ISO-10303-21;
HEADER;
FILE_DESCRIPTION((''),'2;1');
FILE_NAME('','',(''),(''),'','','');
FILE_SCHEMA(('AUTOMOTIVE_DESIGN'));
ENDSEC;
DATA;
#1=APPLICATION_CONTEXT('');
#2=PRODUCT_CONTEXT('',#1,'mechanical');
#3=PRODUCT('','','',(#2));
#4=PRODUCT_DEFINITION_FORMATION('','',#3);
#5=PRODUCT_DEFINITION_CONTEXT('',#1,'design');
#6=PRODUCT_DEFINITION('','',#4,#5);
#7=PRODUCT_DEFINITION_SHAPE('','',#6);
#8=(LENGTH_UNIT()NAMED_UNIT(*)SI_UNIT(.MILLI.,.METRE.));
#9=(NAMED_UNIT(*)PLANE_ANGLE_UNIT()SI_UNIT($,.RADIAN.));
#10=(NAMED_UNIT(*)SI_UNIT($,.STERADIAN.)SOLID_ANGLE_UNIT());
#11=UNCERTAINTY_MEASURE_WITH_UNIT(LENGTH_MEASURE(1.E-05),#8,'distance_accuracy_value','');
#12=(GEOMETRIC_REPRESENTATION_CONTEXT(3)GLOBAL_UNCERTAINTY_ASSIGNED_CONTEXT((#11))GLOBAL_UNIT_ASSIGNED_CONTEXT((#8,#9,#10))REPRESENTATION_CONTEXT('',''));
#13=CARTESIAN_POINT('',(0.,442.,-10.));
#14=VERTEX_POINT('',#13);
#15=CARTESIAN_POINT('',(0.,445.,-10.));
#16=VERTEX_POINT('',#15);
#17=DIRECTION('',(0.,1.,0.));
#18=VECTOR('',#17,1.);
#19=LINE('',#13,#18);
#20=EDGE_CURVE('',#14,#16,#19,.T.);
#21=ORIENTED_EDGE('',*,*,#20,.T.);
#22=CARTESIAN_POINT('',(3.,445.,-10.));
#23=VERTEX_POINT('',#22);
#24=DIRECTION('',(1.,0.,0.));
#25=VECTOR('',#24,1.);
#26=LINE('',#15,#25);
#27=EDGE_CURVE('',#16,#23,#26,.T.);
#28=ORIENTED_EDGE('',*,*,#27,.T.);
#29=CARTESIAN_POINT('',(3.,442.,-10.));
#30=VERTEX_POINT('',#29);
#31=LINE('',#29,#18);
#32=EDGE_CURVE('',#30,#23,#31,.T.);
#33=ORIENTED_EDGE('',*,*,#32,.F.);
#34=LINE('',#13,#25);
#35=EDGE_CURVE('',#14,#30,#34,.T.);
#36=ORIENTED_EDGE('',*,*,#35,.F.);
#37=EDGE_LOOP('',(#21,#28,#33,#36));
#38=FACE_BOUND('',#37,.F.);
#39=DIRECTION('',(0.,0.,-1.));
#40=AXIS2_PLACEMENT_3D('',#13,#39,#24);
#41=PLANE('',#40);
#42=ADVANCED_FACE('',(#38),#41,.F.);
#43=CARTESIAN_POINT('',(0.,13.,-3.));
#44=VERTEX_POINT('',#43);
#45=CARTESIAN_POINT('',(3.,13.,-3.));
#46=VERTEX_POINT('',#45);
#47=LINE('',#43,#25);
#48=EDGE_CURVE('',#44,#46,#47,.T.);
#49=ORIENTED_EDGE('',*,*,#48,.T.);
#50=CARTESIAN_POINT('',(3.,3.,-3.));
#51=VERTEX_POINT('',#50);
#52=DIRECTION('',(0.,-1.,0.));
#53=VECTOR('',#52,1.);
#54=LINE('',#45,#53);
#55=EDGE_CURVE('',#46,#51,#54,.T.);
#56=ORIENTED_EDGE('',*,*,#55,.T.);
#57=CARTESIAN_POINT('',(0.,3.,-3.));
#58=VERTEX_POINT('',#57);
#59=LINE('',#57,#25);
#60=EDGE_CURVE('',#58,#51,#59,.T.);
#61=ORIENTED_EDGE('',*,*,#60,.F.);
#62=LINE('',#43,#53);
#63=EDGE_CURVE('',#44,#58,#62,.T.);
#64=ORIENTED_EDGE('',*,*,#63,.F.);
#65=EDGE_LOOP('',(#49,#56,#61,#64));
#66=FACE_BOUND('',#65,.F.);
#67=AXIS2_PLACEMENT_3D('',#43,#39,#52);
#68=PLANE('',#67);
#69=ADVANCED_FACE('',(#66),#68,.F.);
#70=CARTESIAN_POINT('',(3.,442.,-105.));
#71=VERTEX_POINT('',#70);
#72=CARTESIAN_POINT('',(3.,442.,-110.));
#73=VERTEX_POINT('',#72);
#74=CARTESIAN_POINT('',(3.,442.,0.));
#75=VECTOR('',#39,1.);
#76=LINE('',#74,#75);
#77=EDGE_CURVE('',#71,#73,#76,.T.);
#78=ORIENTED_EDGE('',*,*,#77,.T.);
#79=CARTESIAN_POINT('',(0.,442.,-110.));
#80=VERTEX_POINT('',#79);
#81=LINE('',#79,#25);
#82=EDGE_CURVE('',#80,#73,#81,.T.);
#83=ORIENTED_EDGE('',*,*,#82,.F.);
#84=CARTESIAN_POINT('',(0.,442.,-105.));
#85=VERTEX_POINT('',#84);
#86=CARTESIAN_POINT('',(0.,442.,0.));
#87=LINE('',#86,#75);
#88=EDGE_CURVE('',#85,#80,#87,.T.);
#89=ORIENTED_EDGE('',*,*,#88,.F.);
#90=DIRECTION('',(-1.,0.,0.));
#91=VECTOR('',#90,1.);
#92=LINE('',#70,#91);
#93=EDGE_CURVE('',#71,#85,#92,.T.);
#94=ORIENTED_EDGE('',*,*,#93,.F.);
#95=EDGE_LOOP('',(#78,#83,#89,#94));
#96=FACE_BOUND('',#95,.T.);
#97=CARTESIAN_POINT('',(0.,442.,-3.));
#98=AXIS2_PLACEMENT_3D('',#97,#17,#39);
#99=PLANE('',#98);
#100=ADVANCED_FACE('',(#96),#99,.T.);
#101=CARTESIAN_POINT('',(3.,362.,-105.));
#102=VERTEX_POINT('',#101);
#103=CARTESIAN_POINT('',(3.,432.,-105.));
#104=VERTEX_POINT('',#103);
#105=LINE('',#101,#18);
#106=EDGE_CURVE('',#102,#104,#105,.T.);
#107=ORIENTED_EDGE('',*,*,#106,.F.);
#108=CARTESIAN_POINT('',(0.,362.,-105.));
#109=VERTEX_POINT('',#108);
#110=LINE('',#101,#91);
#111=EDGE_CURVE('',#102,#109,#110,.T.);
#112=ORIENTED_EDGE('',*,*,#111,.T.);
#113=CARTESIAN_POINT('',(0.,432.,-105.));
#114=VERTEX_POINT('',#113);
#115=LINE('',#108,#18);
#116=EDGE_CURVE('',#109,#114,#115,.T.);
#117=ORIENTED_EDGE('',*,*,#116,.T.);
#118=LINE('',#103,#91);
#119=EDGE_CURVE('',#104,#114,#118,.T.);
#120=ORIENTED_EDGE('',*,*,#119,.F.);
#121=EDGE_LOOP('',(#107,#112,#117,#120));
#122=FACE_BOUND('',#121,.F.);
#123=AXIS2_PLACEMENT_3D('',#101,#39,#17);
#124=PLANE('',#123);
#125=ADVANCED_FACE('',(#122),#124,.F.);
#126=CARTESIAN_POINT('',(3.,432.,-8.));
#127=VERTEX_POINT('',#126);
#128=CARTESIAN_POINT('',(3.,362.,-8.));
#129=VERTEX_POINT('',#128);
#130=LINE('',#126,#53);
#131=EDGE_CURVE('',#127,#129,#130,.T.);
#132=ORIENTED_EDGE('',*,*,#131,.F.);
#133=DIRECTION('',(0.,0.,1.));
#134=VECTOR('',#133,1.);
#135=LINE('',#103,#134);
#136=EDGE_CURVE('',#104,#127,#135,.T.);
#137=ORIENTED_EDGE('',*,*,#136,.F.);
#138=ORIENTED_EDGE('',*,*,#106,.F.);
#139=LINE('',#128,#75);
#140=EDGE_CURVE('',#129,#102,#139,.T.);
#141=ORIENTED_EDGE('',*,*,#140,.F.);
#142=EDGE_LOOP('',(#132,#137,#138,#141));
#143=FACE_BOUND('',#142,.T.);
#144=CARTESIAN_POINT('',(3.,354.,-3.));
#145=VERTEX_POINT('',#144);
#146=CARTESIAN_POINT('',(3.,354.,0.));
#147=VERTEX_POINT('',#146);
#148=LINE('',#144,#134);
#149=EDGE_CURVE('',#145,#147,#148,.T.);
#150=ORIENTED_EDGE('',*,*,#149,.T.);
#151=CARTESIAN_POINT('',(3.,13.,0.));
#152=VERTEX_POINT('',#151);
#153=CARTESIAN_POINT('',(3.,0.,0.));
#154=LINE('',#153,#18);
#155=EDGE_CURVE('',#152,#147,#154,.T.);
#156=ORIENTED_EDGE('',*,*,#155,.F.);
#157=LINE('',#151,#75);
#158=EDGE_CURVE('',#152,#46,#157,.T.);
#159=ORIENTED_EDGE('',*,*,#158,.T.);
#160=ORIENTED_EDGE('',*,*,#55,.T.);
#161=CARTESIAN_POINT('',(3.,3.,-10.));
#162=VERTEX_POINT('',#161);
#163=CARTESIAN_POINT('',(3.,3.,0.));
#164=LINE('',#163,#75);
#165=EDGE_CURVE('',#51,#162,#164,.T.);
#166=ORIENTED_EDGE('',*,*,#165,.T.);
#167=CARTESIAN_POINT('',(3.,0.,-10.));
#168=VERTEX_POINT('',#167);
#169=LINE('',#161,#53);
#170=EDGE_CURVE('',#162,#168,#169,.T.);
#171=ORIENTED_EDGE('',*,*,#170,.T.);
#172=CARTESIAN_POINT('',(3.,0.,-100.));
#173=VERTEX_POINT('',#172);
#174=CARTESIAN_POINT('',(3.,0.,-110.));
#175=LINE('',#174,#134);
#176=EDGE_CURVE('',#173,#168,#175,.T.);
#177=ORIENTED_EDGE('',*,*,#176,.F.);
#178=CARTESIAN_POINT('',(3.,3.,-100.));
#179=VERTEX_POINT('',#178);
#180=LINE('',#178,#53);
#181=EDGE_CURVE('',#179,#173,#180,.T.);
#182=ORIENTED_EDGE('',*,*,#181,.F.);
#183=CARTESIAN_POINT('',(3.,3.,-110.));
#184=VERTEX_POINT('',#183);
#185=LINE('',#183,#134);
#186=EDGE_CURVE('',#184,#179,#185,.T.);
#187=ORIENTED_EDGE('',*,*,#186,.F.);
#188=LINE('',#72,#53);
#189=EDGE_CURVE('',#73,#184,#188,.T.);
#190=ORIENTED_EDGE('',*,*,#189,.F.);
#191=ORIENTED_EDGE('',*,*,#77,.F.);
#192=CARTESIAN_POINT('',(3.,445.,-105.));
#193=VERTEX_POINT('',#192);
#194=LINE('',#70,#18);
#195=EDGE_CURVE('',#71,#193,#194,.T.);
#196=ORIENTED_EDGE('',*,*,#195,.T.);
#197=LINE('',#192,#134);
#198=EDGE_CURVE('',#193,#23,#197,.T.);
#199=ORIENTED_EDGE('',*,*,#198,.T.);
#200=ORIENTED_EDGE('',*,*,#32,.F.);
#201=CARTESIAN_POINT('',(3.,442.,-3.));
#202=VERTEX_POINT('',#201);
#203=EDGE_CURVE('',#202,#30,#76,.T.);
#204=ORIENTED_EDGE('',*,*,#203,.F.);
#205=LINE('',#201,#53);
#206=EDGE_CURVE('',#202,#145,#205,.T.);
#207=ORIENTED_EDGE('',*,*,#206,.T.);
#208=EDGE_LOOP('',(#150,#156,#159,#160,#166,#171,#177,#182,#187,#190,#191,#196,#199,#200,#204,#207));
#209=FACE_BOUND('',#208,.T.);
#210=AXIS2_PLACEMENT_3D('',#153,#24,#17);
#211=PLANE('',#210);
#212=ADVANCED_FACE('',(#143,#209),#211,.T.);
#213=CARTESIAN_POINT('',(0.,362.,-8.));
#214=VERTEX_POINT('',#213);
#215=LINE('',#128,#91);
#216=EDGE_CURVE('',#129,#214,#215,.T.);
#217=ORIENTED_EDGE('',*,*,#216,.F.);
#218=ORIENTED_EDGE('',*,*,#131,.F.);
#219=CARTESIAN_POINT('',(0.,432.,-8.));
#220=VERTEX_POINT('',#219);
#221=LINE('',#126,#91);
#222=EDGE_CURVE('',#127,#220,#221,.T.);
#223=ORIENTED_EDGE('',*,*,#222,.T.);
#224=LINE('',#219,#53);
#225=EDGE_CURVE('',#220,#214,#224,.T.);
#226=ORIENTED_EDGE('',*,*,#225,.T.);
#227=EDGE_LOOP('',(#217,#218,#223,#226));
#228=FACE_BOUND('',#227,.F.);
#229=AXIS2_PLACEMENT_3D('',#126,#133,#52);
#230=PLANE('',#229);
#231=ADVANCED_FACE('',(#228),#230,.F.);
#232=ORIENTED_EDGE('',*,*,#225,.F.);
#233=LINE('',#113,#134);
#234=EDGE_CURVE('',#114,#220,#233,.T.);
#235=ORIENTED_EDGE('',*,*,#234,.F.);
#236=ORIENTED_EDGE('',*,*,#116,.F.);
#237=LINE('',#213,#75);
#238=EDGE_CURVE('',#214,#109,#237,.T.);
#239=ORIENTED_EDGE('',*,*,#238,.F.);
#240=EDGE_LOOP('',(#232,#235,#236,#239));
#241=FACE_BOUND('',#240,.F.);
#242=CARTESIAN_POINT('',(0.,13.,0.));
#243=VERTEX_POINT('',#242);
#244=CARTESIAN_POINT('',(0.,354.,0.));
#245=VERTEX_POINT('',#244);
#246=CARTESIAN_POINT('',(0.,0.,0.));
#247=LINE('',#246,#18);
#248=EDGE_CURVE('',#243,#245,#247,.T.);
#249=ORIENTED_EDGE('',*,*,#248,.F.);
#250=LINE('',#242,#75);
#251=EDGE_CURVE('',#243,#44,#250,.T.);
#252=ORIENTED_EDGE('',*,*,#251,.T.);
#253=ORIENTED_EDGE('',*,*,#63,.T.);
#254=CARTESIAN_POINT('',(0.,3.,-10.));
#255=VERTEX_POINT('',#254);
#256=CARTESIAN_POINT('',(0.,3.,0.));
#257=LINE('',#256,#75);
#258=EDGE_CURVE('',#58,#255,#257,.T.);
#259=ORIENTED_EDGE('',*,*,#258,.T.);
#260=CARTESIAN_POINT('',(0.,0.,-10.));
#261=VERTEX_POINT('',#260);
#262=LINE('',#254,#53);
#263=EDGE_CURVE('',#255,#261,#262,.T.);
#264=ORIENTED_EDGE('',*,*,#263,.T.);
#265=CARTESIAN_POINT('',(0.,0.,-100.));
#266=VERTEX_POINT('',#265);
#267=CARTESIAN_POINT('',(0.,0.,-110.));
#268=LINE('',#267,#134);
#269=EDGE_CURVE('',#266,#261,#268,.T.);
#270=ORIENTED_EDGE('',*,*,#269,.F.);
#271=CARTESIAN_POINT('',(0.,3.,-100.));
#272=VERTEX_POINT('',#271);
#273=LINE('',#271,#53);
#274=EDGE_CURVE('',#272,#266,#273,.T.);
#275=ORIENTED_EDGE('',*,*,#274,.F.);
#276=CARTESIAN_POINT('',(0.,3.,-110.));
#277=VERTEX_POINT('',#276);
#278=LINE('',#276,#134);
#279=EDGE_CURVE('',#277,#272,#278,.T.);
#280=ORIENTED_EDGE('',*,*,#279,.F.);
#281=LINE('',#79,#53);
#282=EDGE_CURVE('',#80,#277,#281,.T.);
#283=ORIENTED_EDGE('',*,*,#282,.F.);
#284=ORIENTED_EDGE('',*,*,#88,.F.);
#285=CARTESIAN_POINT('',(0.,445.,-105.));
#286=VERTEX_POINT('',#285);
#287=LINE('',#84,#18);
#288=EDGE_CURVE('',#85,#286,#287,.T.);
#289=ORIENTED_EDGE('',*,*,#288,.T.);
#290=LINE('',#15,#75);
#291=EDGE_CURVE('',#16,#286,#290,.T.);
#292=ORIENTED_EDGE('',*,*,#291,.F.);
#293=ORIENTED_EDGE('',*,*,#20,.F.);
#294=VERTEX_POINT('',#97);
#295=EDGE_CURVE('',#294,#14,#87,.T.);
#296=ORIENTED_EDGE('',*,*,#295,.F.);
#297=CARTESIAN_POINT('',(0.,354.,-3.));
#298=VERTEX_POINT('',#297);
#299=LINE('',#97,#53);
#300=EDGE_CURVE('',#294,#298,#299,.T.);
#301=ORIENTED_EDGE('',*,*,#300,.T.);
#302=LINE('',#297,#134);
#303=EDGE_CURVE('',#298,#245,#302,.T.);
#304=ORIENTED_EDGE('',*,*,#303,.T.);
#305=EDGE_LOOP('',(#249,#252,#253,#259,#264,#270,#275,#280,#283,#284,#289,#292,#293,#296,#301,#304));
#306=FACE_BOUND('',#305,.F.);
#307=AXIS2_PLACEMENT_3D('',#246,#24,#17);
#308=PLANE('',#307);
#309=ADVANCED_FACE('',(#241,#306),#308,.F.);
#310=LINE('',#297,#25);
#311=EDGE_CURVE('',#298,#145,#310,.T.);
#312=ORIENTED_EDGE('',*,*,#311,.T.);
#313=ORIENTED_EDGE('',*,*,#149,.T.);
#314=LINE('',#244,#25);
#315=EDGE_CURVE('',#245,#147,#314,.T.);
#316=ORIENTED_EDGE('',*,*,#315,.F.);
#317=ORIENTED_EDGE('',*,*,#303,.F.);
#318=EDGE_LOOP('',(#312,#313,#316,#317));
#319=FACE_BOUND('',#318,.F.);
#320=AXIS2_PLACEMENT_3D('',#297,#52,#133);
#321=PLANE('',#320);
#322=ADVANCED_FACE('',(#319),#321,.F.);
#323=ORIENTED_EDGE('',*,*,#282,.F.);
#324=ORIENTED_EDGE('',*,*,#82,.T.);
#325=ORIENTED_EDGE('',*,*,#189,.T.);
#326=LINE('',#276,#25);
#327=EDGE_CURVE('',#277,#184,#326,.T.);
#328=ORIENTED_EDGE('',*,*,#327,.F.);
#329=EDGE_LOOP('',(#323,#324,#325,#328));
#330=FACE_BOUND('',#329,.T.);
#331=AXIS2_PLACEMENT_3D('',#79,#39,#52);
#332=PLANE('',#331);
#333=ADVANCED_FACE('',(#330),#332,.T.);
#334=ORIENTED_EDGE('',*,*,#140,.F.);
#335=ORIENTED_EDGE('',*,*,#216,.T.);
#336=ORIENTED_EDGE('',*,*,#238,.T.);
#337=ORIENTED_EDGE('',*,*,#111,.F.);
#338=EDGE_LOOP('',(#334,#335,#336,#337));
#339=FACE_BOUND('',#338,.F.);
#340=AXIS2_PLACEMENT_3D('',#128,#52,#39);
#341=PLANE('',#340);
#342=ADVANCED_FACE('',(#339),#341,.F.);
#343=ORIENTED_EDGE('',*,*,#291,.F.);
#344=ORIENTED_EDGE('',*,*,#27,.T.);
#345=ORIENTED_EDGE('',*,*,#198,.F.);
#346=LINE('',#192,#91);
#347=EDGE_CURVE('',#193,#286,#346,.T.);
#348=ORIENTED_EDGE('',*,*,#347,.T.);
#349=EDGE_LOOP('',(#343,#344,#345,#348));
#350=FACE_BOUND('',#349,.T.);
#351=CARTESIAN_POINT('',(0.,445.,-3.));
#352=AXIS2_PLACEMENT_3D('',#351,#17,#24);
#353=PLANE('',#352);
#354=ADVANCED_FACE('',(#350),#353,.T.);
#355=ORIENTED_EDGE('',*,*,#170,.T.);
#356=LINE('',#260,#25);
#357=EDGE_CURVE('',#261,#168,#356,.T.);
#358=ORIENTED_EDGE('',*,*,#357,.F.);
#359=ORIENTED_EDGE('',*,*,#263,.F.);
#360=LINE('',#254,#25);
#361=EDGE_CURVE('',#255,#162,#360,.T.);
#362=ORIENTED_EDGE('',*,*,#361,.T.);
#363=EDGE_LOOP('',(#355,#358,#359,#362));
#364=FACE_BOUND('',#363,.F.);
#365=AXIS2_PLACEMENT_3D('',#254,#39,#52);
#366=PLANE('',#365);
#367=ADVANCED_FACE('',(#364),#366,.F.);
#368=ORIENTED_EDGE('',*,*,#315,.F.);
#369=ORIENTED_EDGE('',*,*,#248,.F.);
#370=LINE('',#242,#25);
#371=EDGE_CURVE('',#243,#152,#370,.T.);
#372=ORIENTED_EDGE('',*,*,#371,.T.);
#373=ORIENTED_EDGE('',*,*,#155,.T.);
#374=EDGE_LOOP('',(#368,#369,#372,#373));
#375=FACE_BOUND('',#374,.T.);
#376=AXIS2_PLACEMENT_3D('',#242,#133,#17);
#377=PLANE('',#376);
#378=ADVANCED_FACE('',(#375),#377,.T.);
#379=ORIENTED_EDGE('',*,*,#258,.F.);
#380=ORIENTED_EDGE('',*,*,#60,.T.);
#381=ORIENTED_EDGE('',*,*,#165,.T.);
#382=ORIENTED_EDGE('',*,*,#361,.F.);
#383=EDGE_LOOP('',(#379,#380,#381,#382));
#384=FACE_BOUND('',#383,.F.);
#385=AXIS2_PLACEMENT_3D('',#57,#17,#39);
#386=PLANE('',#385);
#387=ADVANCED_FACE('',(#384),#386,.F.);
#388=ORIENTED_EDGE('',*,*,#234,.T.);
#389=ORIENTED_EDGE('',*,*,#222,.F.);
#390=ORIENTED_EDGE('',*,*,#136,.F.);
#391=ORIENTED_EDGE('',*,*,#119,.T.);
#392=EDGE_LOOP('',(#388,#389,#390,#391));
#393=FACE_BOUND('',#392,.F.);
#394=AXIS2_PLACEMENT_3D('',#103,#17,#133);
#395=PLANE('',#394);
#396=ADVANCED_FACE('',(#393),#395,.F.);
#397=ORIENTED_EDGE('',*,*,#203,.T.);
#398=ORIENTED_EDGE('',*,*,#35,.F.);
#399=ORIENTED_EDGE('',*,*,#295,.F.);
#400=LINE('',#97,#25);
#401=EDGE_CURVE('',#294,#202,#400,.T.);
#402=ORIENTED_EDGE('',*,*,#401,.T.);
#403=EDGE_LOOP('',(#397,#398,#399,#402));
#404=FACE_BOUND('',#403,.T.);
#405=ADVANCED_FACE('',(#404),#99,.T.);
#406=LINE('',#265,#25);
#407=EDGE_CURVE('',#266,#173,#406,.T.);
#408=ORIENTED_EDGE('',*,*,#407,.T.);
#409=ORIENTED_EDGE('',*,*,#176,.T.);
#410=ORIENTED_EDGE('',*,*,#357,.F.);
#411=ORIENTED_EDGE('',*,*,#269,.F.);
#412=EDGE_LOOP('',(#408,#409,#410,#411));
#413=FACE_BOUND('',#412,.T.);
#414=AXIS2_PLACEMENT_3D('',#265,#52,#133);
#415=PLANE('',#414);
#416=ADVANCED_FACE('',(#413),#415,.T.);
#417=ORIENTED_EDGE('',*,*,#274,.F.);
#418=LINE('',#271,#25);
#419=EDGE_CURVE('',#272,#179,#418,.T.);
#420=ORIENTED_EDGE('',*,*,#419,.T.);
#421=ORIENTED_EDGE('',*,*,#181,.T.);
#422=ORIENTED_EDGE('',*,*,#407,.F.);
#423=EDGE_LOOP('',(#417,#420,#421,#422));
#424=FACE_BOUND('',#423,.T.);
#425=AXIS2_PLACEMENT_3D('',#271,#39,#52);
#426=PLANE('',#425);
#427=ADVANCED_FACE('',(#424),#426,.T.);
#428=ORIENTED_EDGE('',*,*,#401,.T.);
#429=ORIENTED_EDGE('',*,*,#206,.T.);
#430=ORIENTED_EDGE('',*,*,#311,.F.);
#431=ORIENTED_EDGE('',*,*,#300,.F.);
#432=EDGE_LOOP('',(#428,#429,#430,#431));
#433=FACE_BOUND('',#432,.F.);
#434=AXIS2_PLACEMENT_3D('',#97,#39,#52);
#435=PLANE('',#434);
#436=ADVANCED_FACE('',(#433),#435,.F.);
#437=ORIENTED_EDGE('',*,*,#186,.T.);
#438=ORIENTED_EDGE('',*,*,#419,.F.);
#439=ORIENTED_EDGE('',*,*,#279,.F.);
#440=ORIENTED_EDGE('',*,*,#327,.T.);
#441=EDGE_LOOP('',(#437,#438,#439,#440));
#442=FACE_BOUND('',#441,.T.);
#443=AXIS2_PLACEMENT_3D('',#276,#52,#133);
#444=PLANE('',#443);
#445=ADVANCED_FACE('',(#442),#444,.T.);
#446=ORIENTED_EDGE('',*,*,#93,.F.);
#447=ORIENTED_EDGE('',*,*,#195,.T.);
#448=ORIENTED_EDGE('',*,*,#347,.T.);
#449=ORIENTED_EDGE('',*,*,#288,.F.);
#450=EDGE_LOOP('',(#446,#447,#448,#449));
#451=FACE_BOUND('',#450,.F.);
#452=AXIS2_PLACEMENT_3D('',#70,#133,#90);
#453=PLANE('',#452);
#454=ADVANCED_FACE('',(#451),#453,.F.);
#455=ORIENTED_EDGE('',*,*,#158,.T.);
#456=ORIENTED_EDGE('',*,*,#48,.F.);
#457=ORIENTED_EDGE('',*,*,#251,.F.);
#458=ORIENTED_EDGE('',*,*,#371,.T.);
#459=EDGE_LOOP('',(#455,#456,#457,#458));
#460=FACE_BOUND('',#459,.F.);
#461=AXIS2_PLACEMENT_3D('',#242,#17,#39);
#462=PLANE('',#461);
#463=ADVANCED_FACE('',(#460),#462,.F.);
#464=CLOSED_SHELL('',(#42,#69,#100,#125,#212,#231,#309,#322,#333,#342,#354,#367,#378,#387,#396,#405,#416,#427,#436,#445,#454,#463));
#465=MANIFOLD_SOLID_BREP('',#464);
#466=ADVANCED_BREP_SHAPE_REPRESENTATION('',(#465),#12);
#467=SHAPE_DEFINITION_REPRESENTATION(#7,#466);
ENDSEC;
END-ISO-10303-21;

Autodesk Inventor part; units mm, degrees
ref_plane "YZ Plane" through (0, 0, 0) normal (1, 0, 0) x (0, 1, 0)
ref_plane "XZ Plane" through (0, 0, 0) normal (0, 1, 0) x (-1, 0, 0)
ref_plane "XY Plane" through (0, 0, 0) normal (0, 0, 1) x (1, 0, 0)
sketch "Sketch1" plane through (0, 0, 0) normal (1, 0, 0) x (0, 1, 0)
  line L0 (0, 0) -> (442, 0)
  line L1 (442, 0) -> (442, -110)
  line L2 (442, -110) -> (0, -110)
  line L3 (0, -110) -> (0, 0)
  line L4 (3, 0) -> (3, -10)
  line L5 (3, -10) -> (0, -10)
  line L6 (3, -110) -> (3, -100)
  line L7 (3, -100) -> (0, -100)
  line L8 (13, 0) -> (13, -3)
  line L9 (13, -3) -> (3, -3)
  line L10 (442, -3) -> (354, -3)
  line L11 (354, -3) -> (354, 0)
  dimension "d0" = 442
  dimension "d1" = 110
  dimension "d2" = 3
  dimension "d3" = 10
  dimension "d4" = 10
  dimension "d5" = 10
  dimension "d6" = 3
  dimension "d7" = 88
  dimension "d8" = 3
extrude "Extrusion1" add sketch "Sketch1" along normal blind 3 contours L5 L4 L9 L8 L0 L11 L10 L1 L2 L6 L7 L3
sketch "Sketch2" plane through (0, 442, -3) normal (0, 1, 0) x (1, 0, 0)
  line L0 (0, 7) -> (0, 97) projected
  line L1 (0, 7) -> (3, 7)
  line L2 (3, 7) -> (3, 97) projected
  line L3 (0, 7) -> (0, 102)
  line L4 (0, 97) -> (0, 107) projected
  line L5 (3, 97) -> (3, 107) projected
  line L6 (3, 102) -> (0, 102)
  line L7 (3, 102) -> (3, 7)
  line L8 (0, 7) -> (3, 7) projected
  line L9 (0, 107) -> (3, 107) projected
  line L10 (0, 0) -> (3, 0) projected
  point P0 (0, -3)
  point P1 (0, 97)
  dimension "d12" = 5
  dimension "d15" = 7
extrude "Extrusion2" add sketch "Sketch2" along normal blind 3 contours L0 L3 L6 L5 L2 L1
sketch "Sketch3" plane through (3, 0, 0) normal (1, 0, 0) x (0, 0, -1)
  line L0 (8, 432) -> (8, 362)
  line L1 (8, 362) -> (105, 362)
  line L2 (105, 362) -> (105, 432)
  line L3 (105, 432) -> (8, 432)
  line L4 (3, 442) -> (3, 354) projected
  line L5 (110, 3) -> (110, 442) projected
  line L6 (10, 445) -> (105, 445) projected
  point P0 (0, 0)
  dimension "d16" = 5
  dimension "d17" = 5
  dimension "d18" = 70
  dimension "d19" = 13
extrude "Extrusion3" cut sketch "Sketch3" against normal blind 3
properties part number "Lift cover of lifting" material "PMMA Plastic"
